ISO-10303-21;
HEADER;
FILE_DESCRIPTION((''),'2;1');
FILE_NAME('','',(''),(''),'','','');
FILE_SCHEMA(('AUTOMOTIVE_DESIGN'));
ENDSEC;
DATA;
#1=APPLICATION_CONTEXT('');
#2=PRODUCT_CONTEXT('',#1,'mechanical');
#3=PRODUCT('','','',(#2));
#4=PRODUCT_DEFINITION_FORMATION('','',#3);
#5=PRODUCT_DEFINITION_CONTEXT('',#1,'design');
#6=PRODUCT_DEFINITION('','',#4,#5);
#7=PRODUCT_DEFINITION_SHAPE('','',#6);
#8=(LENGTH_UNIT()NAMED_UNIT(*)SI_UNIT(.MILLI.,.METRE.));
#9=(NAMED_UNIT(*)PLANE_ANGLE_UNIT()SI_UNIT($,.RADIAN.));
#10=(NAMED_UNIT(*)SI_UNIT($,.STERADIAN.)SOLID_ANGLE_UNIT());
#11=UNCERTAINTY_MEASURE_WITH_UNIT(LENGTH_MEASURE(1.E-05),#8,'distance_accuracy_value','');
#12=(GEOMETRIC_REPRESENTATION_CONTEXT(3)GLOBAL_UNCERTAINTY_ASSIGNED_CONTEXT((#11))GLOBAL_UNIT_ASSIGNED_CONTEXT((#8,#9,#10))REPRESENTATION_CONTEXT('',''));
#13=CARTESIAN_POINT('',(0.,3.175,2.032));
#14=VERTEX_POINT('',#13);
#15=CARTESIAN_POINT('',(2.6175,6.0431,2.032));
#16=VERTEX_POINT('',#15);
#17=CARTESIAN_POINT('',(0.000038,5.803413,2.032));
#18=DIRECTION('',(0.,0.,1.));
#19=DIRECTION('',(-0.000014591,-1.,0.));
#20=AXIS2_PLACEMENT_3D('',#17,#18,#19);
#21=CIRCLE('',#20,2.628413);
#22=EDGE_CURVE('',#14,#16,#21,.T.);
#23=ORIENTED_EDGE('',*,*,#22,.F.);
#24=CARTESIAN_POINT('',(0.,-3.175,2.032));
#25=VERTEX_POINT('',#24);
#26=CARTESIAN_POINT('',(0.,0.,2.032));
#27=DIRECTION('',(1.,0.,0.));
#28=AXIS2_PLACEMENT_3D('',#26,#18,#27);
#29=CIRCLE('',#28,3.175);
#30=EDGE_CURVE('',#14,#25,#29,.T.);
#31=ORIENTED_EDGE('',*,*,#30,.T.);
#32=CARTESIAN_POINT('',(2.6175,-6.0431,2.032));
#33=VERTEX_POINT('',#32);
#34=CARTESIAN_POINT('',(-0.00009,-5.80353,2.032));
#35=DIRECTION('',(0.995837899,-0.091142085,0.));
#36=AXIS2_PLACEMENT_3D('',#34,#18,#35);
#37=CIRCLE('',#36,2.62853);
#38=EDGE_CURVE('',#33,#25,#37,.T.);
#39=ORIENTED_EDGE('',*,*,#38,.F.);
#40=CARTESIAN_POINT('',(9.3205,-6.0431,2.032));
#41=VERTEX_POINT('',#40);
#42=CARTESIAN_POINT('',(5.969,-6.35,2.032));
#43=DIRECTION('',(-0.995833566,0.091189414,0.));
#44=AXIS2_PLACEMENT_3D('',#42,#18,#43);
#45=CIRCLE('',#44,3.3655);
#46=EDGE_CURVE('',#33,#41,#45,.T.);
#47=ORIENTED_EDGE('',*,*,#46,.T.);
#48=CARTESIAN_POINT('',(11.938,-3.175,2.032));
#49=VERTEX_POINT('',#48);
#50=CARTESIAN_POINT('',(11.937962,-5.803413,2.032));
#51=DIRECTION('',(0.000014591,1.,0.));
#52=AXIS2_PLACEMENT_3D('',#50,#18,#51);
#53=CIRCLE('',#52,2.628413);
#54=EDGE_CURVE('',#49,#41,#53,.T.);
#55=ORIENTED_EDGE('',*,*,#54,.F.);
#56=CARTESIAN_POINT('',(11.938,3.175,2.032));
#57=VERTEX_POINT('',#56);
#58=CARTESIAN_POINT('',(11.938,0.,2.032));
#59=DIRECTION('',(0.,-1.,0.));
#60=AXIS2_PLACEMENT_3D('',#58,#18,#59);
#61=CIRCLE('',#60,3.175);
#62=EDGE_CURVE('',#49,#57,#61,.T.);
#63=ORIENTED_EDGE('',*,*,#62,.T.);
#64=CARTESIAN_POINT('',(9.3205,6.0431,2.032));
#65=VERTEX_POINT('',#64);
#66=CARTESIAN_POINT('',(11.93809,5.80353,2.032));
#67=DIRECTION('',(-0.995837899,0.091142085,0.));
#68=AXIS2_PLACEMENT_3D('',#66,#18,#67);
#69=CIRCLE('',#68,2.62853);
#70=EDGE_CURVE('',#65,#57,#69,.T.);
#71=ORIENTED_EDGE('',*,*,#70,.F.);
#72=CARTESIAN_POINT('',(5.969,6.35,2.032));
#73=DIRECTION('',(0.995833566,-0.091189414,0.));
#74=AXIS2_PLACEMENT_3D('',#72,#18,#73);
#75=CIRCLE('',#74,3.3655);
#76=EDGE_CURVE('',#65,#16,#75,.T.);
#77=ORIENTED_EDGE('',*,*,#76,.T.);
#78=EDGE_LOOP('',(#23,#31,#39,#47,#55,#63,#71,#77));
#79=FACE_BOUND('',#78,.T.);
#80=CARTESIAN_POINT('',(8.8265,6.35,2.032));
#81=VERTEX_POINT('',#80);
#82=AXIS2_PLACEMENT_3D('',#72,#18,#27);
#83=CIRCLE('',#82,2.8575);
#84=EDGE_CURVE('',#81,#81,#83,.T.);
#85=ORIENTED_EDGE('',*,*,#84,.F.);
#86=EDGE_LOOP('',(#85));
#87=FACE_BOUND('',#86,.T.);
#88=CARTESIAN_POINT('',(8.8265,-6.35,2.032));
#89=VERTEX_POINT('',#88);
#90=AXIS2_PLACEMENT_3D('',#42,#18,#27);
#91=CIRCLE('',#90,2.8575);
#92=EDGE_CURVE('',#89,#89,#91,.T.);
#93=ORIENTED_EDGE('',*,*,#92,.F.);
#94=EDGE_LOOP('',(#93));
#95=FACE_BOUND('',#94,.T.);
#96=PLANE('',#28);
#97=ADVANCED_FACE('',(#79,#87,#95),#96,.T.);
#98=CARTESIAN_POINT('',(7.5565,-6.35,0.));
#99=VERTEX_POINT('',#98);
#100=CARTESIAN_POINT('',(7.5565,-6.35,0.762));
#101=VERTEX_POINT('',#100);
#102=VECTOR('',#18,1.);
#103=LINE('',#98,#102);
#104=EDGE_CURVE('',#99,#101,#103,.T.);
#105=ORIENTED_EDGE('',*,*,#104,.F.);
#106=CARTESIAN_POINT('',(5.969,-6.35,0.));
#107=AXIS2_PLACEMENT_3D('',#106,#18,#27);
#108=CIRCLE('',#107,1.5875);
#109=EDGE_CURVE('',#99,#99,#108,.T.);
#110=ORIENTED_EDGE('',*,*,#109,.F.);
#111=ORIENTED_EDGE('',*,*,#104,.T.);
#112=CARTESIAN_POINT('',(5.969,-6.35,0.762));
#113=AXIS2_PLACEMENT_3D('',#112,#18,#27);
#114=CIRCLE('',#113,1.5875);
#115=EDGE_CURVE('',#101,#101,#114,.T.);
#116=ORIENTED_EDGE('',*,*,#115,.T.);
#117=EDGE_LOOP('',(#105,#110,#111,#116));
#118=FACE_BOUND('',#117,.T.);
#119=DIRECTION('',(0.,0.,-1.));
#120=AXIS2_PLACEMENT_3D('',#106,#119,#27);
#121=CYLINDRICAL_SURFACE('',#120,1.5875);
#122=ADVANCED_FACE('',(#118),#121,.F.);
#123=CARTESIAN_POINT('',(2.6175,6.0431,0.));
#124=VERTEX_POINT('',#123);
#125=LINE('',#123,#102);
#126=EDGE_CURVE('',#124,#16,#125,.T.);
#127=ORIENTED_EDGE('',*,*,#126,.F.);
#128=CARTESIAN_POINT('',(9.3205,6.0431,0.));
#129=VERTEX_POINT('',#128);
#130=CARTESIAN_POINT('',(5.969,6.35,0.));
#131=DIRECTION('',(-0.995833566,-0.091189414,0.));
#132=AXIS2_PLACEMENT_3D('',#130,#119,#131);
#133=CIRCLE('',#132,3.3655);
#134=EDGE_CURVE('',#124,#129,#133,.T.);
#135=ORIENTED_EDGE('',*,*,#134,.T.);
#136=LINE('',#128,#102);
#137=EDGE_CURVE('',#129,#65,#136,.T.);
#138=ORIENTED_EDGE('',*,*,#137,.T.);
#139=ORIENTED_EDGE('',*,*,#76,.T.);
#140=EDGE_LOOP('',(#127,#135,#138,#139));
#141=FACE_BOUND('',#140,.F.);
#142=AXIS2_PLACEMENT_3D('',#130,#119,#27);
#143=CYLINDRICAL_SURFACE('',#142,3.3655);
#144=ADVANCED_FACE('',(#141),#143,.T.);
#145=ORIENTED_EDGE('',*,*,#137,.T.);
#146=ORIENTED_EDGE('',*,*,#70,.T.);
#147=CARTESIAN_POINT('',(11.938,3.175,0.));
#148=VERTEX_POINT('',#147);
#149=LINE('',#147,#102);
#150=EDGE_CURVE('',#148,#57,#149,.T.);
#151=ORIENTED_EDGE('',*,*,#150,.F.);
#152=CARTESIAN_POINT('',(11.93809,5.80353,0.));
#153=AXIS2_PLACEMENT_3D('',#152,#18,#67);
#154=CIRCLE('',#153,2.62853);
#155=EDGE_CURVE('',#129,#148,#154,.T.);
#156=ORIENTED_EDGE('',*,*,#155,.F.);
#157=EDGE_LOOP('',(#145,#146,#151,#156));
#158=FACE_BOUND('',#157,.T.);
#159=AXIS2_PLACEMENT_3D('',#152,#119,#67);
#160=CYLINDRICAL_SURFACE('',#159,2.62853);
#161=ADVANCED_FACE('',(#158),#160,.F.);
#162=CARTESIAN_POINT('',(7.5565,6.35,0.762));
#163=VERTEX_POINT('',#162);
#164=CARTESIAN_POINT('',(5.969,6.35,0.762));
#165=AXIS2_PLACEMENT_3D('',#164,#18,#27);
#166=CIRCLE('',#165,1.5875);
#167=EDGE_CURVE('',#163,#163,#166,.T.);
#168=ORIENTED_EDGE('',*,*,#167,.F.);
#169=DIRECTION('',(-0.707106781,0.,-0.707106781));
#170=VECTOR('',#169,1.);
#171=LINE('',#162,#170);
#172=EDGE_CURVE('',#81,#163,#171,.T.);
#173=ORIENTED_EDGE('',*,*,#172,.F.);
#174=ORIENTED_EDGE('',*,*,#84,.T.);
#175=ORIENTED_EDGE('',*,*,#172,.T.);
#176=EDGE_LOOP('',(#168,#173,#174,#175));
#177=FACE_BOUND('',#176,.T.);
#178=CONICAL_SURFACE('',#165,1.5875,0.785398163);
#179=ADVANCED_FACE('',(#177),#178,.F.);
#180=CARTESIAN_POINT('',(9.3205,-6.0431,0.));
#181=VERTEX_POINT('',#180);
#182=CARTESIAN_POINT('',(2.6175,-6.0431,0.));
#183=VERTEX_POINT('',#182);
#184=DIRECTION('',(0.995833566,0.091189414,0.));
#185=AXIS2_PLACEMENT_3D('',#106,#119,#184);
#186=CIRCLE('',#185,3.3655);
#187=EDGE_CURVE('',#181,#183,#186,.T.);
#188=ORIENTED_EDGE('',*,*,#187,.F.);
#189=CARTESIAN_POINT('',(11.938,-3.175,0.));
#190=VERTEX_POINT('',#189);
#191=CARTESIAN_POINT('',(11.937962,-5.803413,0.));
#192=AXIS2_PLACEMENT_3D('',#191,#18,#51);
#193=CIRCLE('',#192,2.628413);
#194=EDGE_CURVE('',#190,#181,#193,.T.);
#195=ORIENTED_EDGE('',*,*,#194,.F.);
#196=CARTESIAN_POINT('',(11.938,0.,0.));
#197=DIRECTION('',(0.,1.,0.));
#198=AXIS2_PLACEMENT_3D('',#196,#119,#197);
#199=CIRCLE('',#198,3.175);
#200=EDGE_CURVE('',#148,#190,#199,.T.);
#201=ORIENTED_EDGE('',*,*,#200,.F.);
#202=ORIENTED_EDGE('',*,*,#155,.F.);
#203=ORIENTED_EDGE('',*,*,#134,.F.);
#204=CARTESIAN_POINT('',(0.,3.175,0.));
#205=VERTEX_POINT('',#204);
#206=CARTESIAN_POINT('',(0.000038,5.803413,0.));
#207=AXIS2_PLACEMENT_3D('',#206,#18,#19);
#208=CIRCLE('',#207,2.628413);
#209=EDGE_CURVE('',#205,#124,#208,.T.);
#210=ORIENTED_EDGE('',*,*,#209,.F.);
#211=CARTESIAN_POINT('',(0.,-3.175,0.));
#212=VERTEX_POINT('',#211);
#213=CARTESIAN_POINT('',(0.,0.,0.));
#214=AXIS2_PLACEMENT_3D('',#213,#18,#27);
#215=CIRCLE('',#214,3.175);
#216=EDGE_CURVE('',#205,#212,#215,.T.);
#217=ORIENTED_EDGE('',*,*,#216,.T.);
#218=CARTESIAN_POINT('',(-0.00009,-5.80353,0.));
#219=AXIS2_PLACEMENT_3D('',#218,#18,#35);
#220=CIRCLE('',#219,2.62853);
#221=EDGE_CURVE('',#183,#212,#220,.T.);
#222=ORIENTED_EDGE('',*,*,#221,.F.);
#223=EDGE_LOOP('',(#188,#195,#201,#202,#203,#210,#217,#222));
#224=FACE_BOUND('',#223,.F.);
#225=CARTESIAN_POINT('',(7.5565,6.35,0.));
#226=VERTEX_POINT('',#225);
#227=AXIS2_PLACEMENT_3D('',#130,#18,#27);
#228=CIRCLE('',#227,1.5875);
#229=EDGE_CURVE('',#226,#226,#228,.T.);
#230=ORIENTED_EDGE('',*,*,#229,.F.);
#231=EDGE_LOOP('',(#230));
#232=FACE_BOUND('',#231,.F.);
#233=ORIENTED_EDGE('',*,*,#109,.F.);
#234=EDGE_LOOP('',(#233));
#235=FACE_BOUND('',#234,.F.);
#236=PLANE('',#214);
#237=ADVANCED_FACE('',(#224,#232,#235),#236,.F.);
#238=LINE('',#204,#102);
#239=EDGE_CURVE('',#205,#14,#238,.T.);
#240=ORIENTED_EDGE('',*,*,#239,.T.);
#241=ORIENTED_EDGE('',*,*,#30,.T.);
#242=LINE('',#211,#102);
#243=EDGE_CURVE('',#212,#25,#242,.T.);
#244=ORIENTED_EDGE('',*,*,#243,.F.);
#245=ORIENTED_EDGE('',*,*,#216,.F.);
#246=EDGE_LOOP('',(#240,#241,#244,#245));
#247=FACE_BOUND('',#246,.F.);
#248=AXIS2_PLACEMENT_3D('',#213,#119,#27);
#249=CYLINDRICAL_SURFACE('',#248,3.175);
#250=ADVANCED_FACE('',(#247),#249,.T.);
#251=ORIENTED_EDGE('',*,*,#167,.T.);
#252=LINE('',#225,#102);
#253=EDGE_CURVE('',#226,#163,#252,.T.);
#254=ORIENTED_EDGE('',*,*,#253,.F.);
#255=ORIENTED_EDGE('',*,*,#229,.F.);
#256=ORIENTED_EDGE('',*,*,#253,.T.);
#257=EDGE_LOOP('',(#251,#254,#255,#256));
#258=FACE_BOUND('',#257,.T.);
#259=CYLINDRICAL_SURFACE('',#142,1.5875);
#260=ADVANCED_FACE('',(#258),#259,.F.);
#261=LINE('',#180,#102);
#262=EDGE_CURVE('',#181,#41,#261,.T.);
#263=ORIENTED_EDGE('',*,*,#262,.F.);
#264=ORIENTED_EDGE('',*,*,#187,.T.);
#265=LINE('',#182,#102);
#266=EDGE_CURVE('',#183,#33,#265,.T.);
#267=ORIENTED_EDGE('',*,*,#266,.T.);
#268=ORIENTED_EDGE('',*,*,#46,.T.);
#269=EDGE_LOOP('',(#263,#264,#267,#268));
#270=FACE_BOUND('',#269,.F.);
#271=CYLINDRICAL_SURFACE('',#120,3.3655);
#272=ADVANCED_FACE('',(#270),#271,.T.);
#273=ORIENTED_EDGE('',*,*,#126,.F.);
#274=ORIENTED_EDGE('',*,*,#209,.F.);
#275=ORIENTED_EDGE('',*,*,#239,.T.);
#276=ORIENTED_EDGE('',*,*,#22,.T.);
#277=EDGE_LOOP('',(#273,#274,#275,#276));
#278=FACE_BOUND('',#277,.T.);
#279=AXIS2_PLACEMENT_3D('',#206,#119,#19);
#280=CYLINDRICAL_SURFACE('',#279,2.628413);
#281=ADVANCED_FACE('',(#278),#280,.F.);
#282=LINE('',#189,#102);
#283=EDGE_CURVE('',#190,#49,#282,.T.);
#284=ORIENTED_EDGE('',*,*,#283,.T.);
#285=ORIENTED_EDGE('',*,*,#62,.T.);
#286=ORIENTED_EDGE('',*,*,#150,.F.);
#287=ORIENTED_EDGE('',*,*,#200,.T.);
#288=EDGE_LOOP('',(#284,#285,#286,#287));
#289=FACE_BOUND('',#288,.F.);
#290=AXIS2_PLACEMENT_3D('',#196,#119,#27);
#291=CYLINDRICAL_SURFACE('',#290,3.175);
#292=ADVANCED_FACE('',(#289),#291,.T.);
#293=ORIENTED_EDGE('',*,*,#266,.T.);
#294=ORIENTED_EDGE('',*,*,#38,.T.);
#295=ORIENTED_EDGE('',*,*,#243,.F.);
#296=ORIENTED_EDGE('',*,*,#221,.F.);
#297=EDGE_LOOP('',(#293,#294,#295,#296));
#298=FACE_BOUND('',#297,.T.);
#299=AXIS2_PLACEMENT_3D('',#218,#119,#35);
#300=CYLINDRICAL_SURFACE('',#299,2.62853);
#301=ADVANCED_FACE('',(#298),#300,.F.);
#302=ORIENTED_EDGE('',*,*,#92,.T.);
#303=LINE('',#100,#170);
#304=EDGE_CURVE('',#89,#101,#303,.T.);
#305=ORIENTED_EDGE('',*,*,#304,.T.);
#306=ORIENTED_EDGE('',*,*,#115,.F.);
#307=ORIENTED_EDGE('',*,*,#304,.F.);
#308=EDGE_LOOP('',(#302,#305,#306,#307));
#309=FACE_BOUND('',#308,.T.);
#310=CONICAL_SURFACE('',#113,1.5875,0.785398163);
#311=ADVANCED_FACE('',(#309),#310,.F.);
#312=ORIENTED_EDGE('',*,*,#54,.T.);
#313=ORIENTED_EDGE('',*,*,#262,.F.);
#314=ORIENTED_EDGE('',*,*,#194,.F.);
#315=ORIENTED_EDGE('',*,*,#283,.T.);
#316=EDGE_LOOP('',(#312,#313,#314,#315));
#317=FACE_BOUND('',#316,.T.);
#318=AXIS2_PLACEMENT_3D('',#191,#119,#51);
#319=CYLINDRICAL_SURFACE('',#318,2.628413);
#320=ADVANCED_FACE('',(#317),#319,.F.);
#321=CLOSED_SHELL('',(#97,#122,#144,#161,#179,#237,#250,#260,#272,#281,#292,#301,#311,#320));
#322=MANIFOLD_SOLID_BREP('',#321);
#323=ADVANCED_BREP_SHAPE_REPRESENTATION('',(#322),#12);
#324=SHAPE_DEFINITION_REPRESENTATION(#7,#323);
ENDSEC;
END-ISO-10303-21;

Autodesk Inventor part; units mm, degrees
ref_plane "YZ Plane" through (0, 0, 0) normal (1, 0, 0) x (0, 1, 0)
ref_plane "XZ Plane" through (0, 0, 0) normal (0, 1, 0) x (-1, 0, 0)
ref_plane "XY Plane" through (0, 0, 0) normal (0, 0, 1) x (1, 0, 0)
sketch "Sketch1" plane through (0, 0, 0) normal (0, 0, 1) x (1, 0, 0)
  circle A0 centre (0, 0) radius 3.175
  circle A1 centre (11.938, 0) radius 3.175
  circle A2 centre (5.969, 6.35) radius 3.3655
  circle A3 centre (5.969, -6.35) radius 3.3655
  line L0 (5.969, 6.35) -> (0, 0) construction
  line L1 (0, 0) -> (5.969, -6.35) construction
  line L2 (5.969, -6.35) -> (11.938, 0) construction
  line L3 (11.938, 0) -> (5.969, 6.35) construction
  arc A4 (0, 3.175) -> (2.6175, 6.0431) centre (0, 5.8035) ccw
  arc A5 (2.6175, -6.0431) -> (0, -3.175) centre (0, -5.8035) ccw
  arc A6 (11.938, -3.175) -> (9.3205, -6.0431) centre (11.938, -5.8035) ccw
  arc A7 (9.3205, 6.0431) -> (11.938, 3.175) centre (11.938, 5.8035) ccw
  line L4 (0, 5.8035) -> (0, -5.8035) construction
  line L5 (11.938, 5.8035) -> (11.938, -5.8035) construction
  circle A8 centre (5.969, 6.35) radius 1.5875
  circle A9 centre (5.969, -6.35) radius 1.5875
  dimension "d0" = 6.35
  dimension "d1" = 11.938
  dimension "d2" = 12.7
  dimension "d3" = 6.731
  dimension "d4" = 3.175
extrude "Extrusion1" add sketch "Sketch1" along normal blind 2.032
chamfer "Chamfer1" distance 1.27 angle 45 2 edges at (4.3815, 6.35, 2.032) (4.3815, -6.35, 2.032)
properties part number "BearingRetentionBrace" material "ABS Plastic"
